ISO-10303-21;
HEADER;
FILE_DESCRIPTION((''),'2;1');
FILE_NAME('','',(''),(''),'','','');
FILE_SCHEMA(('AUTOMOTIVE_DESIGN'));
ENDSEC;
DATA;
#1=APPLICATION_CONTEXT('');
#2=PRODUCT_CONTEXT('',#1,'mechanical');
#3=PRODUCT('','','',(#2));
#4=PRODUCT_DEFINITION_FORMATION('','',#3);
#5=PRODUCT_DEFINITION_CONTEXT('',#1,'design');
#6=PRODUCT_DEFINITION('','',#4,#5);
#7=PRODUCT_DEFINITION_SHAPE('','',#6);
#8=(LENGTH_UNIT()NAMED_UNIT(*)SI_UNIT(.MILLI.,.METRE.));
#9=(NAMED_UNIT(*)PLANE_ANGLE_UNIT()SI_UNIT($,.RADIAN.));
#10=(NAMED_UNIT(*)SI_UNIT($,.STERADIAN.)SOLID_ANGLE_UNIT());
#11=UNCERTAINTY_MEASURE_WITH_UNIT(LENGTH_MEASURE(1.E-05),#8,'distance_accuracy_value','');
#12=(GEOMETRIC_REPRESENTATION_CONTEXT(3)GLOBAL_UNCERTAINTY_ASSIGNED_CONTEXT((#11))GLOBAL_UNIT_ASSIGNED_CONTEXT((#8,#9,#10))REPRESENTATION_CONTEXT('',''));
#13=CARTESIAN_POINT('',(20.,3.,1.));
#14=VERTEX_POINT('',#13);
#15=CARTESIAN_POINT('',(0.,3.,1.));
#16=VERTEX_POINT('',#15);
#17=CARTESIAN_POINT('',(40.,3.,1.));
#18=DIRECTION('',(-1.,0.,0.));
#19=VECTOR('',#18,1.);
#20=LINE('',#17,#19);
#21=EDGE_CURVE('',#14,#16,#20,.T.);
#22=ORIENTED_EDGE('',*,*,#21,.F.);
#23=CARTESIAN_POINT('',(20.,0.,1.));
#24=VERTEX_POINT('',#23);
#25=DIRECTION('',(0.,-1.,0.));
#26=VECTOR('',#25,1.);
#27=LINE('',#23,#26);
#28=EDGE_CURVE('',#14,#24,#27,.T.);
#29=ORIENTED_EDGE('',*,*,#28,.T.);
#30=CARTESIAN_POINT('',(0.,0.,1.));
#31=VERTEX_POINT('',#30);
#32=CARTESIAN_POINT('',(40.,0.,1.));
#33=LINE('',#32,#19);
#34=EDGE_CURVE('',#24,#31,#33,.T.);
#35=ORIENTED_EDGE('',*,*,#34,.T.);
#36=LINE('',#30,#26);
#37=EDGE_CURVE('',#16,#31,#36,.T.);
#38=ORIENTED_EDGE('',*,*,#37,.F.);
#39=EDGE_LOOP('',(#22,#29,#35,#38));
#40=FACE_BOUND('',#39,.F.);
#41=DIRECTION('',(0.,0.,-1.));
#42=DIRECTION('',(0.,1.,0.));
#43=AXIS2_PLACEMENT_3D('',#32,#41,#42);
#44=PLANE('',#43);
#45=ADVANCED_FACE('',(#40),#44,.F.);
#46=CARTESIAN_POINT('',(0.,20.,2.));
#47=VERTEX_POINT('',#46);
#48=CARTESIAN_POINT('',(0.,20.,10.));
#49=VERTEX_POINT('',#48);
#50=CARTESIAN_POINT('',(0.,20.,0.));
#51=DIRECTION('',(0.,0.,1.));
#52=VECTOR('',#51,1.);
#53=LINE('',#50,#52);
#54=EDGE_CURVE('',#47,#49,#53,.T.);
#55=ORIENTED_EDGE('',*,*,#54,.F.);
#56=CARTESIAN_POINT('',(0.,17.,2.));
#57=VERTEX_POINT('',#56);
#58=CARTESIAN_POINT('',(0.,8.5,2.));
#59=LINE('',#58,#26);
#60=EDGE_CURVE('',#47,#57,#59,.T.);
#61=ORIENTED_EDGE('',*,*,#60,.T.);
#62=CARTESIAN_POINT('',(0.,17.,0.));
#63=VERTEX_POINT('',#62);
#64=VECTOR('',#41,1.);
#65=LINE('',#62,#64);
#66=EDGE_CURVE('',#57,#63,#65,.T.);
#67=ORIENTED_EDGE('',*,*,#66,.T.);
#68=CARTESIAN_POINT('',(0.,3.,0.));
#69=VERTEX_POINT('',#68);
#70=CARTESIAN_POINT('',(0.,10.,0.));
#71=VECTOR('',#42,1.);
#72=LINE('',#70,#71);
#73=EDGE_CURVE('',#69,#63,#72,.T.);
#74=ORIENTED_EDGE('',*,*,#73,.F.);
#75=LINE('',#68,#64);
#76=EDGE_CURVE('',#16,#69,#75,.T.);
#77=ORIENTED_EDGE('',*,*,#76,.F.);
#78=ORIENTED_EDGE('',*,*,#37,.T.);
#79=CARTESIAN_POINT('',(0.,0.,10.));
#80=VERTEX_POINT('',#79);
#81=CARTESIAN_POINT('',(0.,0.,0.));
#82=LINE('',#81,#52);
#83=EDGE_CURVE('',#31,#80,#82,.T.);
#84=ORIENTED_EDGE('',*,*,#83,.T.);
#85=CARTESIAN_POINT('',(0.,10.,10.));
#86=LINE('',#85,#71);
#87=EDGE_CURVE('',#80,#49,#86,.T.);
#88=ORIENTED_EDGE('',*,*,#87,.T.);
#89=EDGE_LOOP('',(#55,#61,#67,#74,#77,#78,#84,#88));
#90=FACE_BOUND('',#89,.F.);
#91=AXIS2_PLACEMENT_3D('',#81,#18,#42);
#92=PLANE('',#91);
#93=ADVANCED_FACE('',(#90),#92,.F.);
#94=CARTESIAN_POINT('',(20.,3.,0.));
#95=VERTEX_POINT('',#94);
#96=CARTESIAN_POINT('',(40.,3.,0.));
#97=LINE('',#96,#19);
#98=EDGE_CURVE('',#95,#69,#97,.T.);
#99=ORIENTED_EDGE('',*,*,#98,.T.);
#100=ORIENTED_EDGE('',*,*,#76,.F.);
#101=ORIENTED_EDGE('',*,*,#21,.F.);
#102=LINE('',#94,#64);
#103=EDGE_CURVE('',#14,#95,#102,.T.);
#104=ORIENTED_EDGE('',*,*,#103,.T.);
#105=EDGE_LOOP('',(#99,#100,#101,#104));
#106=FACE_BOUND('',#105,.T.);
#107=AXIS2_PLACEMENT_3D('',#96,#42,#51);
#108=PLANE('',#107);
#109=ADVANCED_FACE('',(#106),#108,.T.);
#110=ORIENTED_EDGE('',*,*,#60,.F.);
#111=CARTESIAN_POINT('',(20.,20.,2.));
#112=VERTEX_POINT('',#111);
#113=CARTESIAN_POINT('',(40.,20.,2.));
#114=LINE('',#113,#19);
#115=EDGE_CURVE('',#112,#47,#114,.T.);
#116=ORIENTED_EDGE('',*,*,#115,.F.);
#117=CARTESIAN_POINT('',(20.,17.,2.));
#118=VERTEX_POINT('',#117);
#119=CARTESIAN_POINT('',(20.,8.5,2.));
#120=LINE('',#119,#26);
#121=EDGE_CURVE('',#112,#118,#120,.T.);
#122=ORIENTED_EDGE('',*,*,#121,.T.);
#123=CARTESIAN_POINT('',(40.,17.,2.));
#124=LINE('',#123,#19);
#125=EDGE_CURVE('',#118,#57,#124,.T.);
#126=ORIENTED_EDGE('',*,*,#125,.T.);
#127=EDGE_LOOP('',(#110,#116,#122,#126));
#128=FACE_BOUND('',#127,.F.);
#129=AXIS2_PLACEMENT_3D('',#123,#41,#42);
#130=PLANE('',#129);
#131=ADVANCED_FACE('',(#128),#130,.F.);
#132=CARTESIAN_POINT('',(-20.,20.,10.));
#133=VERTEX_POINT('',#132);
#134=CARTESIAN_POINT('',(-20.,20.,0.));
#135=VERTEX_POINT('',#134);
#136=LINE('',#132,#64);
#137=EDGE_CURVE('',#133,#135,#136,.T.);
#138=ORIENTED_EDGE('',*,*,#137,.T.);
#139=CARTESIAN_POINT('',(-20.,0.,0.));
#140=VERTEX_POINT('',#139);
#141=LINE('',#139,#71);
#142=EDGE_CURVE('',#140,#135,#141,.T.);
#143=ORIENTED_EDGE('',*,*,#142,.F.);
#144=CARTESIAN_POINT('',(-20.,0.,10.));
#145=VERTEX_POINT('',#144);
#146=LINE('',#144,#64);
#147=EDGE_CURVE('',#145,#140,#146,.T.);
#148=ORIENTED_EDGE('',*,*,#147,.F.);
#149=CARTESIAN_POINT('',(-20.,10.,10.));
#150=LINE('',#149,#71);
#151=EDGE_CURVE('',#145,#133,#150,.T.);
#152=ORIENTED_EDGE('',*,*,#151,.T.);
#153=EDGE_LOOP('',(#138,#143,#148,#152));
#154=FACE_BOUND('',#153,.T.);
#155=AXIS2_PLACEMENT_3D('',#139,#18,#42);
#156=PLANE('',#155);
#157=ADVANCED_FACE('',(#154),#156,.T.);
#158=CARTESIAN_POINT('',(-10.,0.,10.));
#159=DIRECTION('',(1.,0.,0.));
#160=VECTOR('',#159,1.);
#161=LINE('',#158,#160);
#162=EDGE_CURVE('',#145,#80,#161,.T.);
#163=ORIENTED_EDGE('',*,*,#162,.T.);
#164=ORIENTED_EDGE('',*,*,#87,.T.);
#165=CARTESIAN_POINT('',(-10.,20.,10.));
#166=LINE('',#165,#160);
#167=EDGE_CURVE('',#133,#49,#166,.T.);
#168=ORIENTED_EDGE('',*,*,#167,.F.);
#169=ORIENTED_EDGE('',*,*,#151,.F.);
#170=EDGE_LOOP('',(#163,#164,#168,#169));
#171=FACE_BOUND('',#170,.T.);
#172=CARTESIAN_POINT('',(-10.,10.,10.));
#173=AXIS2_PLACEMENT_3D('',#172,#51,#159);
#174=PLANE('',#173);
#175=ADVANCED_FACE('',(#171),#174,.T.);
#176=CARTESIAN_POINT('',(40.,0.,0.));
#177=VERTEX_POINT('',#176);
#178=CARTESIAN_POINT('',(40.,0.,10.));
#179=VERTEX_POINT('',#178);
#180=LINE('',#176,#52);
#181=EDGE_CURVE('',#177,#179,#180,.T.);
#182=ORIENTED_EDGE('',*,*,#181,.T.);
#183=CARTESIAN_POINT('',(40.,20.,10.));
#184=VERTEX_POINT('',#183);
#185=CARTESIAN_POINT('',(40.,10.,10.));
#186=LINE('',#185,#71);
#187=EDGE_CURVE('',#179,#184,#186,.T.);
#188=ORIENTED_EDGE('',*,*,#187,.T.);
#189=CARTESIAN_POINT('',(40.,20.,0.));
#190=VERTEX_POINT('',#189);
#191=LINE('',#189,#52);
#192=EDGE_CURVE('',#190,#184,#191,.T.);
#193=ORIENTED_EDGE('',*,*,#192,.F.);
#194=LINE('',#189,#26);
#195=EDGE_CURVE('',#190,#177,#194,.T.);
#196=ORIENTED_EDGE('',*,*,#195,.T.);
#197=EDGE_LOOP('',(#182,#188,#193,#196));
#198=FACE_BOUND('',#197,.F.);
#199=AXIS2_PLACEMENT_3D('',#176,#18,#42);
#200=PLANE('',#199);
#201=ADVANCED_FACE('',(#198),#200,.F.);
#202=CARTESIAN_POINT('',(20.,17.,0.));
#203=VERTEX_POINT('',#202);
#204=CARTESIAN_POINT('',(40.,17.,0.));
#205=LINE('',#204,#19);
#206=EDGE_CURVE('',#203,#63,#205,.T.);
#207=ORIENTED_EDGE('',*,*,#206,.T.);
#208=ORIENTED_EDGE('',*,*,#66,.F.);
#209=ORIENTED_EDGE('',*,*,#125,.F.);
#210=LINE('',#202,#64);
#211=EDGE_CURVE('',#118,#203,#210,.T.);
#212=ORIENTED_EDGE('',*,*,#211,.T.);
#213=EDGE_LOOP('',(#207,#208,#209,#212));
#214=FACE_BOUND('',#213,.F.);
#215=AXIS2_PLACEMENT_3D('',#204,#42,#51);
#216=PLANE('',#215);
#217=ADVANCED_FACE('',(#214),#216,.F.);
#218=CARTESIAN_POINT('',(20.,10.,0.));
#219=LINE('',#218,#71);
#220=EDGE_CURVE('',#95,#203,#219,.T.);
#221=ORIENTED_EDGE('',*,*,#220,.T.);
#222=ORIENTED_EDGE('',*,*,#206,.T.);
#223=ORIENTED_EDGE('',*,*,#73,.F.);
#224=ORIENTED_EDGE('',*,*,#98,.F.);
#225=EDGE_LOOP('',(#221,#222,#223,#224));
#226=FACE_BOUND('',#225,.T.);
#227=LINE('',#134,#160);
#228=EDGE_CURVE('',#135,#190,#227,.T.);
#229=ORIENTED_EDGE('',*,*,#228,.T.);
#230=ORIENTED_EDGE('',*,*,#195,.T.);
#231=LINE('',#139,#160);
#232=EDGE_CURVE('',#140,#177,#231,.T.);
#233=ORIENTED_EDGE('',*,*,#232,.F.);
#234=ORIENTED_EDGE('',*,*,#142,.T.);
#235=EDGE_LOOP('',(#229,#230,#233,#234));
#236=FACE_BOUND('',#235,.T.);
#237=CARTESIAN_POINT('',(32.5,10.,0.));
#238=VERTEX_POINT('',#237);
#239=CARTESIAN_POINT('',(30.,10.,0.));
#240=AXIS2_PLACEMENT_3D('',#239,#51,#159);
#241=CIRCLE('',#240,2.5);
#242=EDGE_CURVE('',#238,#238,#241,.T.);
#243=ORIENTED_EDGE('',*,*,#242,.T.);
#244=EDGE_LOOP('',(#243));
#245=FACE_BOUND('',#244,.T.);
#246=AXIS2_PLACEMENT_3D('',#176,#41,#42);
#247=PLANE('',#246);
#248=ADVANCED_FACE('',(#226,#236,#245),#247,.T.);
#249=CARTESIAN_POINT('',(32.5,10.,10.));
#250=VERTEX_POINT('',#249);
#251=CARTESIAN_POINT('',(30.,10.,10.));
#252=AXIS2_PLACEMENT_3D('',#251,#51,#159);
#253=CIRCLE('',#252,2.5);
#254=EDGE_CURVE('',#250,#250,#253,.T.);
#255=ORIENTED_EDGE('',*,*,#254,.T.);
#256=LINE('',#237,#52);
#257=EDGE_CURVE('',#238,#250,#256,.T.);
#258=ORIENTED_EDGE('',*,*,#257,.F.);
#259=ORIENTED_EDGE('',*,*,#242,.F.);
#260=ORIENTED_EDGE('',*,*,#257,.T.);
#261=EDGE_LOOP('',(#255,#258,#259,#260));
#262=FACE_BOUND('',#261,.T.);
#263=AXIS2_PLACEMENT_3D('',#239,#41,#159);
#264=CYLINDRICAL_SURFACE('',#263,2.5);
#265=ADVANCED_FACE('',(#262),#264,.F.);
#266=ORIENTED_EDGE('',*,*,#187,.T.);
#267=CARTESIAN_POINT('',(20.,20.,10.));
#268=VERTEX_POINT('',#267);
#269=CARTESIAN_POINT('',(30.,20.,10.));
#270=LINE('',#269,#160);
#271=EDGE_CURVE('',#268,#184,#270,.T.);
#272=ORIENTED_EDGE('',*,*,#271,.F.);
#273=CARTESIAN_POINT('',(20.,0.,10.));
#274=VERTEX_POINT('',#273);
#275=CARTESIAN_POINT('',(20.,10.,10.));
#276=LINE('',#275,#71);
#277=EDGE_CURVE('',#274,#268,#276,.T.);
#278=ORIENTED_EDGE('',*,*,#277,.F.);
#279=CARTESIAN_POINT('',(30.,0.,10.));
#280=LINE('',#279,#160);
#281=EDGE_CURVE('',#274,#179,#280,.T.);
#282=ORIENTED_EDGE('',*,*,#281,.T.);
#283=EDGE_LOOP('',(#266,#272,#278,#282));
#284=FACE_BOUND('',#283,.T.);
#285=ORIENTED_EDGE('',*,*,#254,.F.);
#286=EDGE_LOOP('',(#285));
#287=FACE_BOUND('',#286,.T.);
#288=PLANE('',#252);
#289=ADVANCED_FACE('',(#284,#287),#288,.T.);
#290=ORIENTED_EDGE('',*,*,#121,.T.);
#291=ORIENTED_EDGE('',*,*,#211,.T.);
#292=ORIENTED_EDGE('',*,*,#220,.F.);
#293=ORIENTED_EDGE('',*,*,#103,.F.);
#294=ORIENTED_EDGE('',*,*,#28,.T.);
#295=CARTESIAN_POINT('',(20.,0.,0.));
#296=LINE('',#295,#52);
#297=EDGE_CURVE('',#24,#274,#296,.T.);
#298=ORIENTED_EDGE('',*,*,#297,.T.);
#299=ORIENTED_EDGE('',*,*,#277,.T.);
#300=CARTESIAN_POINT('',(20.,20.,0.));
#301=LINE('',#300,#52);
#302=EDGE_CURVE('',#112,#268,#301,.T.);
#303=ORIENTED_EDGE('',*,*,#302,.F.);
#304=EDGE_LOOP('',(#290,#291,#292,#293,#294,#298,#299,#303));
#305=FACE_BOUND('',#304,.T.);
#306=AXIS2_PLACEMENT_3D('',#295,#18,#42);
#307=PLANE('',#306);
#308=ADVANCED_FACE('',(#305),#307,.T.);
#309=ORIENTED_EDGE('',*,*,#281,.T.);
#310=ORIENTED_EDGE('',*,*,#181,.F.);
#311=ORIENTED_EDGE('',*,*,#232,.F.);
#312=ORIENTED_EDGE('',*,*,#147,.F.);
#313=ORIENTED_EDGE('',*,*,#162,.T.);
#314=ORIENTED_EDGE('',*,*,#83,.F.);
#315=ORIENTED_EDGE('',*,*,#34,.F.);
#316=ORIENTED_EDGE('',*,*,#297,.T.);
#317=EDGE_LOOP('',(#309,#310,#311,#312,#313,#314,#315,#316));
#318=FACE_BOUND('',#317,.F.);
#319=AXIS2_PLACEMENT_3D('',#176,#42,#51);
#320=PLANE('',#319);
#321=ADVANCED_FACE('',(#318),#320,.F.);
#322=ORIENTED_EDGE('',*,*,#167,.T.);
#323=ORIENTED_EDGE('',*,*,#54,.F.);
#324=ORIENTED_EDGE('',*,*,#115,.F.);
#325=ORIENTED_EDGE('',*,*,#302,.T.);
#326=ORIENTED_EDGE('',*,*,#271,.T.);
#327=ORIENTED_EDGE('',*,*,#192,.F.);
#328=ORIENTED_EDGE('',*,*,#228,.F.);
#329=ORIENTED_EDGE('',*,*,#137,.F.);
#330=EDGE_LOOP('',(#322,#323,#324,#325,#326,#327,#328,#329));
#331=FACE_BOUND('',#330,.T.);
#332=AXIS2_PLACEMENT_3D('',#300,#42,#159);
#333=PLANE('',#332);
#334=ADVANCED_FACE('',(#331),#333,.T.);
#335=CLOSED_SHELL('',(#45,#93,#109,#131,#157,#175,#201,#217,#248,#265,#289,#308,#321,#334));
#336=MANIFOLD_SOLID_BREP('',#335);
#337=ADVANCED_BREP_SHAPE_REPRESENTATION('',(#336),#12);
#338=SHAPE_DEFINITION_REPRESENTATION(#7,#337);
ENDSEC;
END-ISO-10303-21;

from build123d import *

# Parameters (mm, degrees)
F0_W     = 20
F0_H     = 20
F0_R     = 2.5
F1_DEPTH = 10
F2_W     = 3
F2_H     = 1
F2_H_2   = 2
F3_DEPTH = 60


with BuildPart() as f1:
    # F0 (on Top) → F1 (new body)
    with BuildSketch(Plane.XY):
        with Locations((-10, 10)):
            Rectangle(F0_W, F0_H)
        with Locations((30, 10)):
            Rectangle(F0_W, F0_H)
        with Locations((30, 10)):
            Circle(F0_R, mode=Mode.SUBTRACT)
    extrude(amount=F1_DEPTH)

    # F2 (on face) → F3 (join)
    with BuildSketch(Plane.YZ.offset(40)):
        with Locations((1.5, 0.5)):
            Rectangle(F2_W, F2_H)
        with Locations((18.5, 1)):
            Rectangle(F2_W, F2_H_2)
    extrude(amount=-F3_DEPTH)


solid = f1.part
